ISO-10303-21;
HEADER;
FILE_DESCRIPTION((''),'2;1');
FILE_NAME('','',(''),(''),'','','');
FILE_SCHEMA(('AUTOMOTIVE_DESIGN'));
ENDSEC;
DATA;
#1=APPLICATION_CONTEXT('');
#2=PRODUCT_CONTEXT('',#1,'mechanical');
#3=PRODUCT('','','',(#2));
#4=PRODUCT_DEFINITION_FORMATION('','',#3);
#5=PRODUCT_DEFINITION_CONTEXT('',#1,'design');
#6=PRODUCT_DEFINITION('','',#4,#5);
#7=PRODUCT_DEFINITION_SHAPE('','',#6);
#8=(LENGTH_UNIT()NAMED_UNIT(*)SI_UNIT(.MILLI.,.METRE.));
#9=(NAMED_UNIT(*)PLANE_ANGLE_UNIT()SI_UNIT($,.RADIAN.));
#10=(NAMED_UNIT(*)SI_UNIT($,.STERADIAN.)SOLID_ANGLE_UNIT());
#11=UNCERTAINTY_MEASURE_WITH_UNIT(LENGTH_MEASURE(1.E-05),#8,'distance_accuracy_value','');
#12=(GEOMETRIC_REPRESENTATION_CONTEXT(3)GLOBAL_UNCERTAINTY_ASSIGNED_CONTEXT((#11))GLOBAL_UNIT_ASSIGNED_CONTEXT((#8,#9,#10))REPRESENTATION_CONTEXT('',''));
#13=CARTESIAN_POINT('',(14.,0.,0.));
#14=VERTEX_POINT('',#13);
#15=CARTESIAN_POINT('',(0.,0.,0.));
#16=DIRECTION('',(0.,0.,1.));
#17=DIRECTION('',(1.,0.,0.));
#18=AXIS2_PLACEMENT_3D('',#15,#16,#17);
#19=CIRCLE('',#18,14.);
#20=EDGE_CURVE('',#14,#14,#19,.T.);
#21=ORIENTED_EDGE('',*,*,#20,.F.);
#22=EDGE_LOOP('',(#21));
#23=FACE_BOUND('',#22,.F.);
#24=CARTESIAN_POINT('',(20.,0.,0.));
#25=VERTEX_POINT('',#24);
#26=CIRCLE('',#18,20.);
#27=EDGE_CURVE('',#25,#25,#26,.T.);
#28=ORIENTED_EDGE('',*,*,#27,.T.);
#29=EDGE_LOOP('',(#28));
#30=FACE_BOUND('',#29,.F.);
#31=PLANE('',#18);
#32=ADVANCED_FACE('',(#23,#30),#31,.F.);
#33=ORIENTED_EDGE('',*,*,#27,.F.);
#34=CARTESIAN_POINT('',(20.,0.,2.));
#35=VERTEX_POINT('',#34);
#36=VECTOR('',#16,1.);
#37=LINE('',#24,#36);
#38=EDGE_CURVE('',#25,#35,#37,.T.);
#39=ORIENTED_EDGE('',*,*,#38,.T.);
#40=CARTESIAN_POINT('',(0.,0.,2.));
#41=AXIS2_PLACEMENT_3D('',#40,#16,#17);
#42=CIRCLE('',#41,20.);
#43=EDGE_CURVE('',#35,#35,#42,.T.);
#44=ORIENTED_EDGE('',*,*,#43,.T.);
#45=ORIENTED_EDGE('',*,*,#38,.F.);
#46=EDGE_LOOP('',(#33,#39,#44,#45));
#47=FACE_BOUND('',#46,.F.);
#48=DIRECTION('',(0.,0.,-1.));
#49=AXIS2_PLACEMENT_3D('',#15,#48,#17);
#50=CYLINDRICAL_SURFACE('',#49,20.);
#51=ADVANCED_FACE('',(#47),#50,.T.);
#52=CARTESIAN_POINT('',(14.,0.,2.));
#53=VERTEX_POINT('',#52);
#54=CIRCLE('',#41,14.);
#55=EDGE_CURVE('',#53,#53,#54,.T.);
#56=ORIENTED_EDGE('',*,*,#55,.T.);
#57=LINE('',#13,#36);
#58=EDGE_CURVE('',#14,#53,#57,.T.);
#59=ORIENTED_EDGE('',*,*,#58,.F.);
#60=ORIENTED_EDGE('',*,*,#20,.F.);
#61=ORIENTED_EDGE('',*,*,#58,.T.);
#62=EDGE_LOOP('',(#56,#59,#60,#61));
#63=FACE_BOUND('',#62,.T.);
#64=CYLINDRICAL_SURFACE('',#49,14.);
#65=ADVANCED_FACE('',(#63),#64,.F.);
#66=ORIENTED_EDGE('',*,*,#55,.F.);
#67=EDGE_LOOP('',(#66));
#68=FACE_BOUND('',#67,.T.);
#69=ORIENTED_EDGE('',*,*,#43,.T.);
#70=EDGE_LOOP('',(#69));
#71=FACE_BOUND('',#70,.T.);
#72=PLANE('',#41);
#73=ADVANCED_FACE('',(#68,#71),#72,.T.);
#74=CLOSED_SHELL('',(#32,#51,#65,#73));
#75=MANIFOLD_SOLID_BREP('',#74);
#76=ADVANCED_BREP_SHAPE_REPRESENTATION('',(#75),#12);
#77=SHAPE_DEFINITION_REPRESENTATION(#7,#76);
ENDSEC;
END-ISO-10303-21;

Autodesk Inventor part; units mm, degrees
ref_plane "YZ Plane" through (0, 0, 0) normal (1, 0, 0) x (0, 1, 0)
ref_plane "XZ Plane" through (0, 0, 0) normal (0, 1, 0) x (-1, 0, 0)
ref_plane "XY Plane" through (0, 0, 0) normal (0, 0, 1) x (1, 0, 0)
sketch "Эскиз3" plane through (0, 0, 0) normal (0, 0, 1) x (1, 0, 0)
  circle A0 centre (0, 0) radius 20
  circle A1 centre (0, 0) radius 14
  dimension "d8" = 40
  dimension "d9" = 28
extrude "Выдавливание3" add sketch "Эскиз3" along normal blind 2
equation "\"tolerance_plazma\" = 0.1"
equation "\"thickness_steel\" = 3"
equation "\"d_main_screw_holes\" = 6.1"
equation "\"thickness_profile_tibea\" = 3"
equation "\"hight_shaft_shift\" = 37"
equation "\"thickness_profile_femur\" = 3"
equation "\"width_shaft_shift\" = 35"
equation "\"width_flattened_surface\" = 12"
properties part number "tibea_ring_for_bearing_tibea" material "Сталь"
